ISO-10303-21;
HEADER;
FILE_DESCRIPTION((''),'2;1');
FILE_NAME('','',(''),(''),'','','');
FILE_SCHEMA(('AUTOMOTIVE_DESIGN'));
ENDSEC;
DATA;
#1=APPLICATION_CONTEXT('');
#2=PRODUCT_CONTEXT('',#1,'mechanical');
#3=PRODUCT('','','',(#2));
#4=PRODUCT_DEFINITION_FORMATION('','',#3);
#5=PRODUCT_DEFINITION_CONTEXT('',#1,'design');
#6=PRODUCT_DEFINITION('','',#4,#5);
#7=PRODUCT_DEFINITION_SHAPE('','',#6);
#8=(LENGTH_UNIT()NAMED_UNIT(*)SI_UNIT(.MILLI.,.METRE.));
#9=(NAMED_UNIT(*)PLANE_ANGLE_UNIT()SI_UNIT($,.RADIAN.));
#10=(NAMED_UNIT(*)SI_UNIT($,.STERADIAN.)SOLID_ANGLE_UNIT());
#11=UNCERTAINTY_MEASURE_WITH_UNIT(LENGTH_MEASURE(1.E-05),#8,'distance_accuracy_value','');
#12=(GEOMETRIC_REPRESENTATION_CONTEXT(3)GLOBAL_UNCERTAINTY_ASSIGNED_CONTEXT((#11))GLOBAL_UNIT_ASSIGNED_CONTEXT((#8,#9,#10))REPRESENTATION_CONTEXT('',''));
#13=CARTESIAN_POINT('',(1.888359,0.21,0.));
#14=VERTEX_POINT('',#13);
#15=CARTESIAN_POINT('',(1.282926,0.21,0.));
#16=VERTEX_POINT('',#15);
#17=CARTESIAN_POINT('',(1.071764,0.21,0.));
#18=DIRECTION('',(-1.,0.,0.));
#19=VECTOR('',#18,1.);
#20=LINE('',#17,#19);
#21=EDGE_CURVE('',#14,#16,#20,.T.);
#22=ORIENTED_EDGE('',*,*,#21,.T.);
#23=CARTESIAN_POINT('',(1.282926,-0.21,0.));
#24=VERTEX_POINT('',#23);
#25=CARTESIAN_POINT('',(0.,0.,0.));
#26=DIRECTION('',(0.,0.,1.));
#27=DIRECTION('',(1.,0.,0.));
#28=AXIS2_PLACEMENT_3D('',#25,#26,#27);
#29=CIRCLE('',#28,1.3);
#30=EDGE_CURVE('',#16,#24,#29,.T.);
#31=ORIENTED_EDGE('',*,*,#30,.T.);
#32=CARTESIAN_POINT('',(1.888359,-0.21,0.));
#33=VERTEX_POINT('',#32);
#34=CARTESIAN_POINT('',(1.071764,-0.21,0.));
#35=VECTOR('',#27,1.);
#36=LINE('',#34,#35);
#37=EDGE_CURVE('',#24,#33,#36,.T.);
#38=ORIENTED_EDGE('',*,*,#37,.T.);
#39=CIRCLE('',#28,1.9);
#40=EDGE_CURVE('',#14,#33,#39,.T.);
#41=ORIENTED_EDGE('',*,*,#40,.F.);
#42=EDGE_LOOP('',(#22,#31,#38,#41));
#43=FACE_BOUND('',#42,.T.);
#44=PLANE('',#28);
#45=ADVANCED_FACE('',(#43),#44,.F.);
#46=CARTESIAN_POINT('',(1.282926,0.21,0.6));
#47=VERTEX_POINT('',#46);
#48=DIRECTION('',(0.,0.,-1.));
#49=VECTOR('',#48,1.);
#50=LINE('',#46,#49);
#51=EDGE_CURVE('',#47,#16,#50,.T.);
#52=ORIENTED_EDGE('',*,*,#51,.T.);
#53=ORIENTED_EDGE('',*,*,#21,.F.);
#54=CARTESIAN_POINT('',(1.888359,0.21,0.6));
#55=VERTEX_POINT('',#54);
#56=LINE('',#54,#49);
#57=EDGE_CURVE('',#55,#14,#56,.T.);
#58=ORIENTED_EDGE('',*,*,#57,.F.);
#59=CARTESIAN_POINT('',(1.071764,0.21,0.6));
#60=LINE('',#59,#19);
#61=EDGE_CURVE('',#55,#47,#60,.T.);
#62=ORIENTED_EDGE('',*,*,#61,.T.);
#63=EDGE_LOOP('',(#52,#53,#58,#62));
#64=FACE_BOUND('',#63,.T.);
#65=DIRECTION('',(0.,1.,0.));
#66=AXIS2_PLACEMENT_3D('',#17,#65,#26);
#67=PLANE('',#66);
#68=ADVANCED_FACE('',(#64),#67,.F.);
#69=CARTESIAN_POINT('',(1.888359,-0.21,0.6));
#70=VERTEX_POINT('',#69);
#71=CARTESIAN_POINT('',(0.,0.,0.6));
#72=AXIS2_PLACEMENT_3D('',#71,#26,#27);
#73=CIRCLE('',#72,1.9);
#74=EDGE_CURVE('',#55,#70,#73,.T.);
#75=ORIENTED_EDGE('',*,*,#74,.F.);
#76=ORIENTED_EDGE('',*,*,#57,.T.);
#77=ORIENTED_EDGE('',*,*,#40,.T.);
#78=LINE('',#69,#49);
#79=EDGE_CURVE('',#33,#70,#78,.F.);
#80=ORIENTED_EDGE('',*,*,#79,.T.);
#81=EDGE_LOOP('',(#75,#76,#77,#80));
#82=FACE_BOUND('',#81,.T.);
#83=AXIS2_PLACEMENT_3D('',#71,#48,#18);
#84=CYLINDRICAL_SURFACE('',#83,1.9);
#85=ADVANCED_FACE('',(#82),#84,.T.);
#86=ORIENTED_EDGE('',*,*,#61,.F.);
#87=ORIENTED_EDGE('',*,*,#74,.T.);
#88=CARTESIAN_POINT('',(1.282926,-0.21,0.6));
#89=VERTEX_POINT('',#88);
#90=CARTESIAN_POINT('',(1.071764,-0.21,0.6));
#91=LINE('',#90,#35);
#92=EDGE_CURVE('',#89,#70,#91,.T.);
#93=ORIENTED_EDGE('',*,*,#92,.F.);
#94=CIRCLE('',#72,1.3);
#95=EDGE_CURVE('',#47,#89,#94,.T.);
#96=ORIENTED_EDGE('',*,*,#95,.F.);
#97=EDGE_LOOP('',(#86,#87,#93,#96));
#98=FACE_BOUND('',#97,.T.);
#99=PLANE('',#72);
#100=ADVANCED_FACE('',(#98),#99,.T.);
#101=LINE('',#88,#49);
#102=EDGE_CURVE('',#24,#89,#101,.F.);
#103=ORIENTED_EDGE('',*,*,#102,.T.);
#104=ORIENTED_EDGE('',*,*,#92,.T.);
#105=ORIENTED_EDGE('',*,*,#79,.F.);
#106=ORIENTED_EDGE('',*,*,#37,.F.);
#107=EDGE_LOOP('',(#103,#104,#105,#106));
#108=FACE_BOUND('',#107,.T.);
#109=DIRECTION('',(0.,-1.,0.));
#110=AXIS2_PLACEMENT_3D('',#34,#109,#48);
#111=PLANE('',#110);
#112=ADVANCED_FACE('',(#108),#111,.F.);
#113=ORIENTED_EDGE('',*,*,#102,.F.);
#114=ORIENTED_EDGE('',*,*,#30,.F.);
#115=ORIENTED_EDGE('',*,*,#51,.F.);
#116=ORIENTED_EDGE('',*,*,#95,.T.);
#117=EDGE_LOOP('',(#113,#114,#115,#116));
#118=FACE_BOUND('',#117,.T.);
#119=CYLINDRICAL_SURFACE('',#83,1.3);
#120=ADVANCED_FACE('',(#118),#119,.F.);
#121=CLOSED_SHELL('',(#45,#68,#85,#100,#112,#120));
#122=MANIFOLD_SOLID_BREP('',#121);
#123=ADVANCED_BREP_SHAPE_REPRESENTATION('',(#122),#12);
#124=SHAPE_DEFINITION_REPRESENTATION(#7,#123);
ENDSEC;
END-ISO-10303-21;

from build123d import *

# Parameters (mm, degrees)
SKETCH_1_R          = 1.9
SKETCH_1_R_2        = 1.3
EXTRUDE_1_DEPTH     = 0.6
SKETCH_2_W          = 2.246639396
SKETCH_2_H          = 0.42
CUT_EXTRUDE_1_DEPTH = 3.75317998


with BuildPart() as part:
    # Эскиз1 → Вытянуть1 (new body)
    with BuildSketch(Plane.XY):
        Circle(SKETCH_1_R)
        Circle(SKETCH_1_R_2, mode=Mode.SUBTRACT)
    extrude(amount=EXTRUDE_1_DEPTH)

    # Эскиз2 → Вырез-Вытянуть1 (cut, through all)
    with BuildSketch(Plane.XY.offset(0.6)):
        with Locations((2.195083291, 0)):
            Rectangle(SKETCH_2_W, SKETCH_2_H)
    extrude(amount=-CUT_EXTRUDE_1_DEPTH, mode=Mode.SUBTRACT)


solid = part.part
